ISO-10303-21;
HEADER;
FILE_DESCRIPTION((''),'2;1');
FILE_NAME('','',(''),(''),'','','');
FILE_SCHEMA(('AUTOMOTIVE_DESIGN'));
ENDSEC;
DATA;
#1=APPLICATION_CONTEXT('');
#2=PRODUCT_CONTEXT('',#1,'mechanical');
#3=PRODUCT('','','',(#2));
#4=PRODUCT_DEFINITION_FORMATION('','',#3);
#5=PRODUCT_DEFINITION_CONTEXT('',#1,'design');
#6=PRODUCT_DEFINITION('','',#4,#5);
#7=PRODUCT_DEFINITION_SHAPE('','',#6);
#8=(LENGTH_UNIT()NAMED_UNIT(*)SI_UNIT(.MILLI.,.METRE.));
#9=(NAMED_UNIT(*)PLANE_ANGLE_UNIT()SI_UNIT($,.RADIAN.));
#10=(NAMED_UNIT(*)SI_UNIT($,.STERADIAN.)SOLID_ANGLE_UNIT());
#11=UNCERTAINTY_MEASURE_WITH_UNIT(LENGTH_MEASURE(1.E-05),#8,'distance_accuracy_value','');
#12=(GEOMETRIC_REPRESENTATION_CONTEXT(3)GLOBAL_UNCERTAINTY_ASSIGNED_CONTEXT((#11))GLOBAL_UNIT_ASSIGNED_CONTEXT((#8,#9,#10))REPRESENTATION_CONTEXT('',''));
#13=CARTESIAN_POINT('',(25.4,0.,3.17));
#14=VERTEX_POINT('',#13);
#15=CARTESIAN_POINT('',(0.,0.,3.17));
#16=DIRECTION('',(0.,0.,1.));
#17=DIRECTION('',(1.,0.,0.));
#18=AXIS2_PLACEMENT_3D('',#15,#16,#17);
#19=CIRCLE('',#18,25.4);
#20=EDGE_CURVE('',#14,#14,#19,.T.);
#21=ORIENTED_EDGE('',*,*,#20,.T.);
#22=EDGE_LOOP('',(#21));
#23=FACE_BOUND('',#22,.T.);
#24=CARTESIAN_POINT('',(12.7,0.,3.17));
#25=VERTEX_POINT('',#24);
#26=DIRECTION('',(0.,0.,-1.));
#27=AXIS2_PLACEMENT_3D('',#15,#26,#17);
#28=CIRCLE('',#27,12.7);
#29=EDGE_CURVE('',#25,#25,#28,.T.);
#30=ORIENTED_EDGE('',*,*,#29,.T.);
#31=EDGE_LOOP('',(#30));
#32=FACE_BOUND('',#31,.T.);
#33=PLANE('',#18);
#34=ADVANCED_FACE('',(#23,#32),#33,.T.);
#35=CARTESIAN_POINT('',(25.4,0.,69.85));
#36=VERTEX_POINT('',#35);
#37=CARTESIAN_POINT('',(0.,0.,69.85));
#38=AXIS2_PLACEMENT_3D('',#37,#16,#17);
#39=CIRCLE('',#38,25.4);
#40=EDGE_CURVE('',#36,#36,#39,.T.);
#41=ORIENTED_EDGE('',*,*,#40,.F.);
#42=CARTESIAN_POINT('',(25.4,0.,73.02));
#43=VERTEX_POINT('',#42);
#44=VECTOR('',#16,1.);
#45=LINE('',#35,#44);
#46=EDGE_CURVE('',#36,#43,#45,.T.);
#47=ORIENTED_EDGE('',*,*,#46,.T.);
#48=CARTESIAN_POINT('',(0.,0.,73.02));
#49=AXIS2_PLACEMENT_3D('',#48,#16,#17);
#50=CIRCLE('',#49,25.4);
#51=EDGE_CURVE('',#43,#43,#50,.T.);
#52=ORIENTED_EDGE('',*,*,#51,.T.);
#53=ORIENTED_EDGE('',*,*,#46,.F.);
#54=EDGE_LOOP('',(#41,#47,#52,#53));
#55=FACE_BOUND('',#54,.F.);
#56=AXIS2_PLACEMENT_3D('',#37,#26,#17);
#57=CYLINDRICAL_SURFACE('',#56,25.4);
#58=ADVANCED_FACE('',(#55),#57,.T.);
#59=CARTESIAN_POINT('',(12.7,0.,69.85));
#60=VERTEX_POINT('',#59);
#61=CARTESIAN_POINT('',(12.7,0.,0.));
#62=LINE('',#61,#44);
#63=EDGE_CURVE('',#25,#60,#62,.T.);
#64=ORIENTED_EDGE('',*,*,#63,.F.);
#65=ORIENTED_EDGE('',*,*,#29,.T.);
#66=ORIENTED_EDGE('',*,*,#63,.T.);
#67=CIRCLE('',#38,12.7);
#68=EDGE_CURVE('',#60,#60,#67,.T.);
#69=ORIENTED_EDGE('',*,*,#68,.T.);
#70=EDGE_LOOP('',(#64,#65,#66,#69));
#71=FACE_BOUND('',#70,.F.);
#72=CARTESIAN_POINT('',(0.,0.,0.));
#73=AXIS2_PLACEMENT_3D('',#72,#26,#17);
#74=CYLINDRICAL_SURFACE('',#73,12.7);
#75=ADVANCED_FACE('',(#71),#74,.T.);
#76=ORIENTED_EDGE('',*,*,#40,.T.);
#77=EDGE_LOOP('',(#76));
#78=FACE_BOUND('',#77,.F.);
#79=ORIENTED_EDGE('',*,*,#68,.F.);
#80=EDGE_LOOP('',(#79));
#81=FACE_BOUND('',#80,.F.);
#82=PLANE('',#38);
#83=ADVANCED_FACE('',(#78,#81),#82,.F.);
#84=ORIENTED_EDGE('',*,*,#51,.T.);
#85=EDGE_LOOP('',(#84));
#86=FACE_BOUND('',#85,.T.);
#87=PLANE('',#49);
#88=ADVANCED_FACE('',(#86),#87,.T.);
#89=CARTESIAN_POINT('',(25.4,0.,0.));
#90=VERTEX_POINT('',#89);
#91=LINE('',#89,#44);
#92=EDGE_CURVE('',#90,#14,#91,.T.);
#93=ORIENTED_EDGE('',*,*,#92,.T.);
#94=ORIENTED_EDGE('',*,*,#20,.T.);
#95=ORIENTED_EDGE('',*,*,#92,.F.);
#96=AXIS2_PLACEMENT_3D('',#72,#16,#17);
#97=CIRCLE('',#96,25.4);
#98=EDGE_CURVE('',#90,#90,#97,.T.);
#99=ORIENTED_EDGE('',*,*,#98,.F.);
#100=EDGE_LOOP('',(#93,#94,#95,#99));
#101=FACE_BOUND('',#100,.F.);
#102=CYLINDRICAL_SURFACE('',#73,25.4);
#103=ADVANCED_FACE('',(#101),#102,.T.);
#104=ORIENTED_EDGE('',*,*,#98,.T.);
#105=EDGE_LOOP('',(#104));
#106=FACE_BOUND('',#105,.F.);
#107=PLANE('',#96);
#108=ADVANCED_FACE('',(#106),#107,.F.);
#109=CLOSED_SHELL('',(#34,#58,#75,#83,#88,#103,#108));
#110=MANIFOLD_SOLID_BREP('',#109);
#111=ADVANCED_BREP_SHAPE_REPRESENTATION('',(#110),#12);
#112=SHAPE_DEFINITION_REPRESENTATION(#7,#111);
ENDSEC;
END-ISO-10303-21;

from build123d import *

# Parameters (mm, degrees)
CYLINDER003_R     = 25.4
CYLINDER003_DEPTH = 3.17
CYLINDER001_R     = 12.7
CYLINDER001_DEPTH = 69.85
CYLINDER004_R     = 25.4
CYLINDER004_DEPTH = 3.17


with BuildPart() as cylinder003:
    # Cylinder003 → Cylinder003 (new body)
    with BuildSketch(Plane.XY):
        Circle(CYLINDER003_R)
    extrude(amount=CYLINDER003_DEPTH)


with BuildPart() as cylinder001:
    # Cylinder001 → Cylinder001 (new body)
    with BuildSketch(Plane.XY):
        Circle(CYLINDER001_R)
    extrude(amount=CYLINDER001_DEPTH)


with BuildPart() as fusion:
    # Cylinder004 → Cylinder004 (new body)
    with BuildSketch(Plane.XY.offset(69.85)):
        Circle(CYLINDER004_R)
    extrude(amount=CYLINDER004_DEPTH)

    # Fusion: union Cylinder003, Cylinder001
    add(cylinder003.part)
    add(cylinder001.part)


solid = fusion.part
